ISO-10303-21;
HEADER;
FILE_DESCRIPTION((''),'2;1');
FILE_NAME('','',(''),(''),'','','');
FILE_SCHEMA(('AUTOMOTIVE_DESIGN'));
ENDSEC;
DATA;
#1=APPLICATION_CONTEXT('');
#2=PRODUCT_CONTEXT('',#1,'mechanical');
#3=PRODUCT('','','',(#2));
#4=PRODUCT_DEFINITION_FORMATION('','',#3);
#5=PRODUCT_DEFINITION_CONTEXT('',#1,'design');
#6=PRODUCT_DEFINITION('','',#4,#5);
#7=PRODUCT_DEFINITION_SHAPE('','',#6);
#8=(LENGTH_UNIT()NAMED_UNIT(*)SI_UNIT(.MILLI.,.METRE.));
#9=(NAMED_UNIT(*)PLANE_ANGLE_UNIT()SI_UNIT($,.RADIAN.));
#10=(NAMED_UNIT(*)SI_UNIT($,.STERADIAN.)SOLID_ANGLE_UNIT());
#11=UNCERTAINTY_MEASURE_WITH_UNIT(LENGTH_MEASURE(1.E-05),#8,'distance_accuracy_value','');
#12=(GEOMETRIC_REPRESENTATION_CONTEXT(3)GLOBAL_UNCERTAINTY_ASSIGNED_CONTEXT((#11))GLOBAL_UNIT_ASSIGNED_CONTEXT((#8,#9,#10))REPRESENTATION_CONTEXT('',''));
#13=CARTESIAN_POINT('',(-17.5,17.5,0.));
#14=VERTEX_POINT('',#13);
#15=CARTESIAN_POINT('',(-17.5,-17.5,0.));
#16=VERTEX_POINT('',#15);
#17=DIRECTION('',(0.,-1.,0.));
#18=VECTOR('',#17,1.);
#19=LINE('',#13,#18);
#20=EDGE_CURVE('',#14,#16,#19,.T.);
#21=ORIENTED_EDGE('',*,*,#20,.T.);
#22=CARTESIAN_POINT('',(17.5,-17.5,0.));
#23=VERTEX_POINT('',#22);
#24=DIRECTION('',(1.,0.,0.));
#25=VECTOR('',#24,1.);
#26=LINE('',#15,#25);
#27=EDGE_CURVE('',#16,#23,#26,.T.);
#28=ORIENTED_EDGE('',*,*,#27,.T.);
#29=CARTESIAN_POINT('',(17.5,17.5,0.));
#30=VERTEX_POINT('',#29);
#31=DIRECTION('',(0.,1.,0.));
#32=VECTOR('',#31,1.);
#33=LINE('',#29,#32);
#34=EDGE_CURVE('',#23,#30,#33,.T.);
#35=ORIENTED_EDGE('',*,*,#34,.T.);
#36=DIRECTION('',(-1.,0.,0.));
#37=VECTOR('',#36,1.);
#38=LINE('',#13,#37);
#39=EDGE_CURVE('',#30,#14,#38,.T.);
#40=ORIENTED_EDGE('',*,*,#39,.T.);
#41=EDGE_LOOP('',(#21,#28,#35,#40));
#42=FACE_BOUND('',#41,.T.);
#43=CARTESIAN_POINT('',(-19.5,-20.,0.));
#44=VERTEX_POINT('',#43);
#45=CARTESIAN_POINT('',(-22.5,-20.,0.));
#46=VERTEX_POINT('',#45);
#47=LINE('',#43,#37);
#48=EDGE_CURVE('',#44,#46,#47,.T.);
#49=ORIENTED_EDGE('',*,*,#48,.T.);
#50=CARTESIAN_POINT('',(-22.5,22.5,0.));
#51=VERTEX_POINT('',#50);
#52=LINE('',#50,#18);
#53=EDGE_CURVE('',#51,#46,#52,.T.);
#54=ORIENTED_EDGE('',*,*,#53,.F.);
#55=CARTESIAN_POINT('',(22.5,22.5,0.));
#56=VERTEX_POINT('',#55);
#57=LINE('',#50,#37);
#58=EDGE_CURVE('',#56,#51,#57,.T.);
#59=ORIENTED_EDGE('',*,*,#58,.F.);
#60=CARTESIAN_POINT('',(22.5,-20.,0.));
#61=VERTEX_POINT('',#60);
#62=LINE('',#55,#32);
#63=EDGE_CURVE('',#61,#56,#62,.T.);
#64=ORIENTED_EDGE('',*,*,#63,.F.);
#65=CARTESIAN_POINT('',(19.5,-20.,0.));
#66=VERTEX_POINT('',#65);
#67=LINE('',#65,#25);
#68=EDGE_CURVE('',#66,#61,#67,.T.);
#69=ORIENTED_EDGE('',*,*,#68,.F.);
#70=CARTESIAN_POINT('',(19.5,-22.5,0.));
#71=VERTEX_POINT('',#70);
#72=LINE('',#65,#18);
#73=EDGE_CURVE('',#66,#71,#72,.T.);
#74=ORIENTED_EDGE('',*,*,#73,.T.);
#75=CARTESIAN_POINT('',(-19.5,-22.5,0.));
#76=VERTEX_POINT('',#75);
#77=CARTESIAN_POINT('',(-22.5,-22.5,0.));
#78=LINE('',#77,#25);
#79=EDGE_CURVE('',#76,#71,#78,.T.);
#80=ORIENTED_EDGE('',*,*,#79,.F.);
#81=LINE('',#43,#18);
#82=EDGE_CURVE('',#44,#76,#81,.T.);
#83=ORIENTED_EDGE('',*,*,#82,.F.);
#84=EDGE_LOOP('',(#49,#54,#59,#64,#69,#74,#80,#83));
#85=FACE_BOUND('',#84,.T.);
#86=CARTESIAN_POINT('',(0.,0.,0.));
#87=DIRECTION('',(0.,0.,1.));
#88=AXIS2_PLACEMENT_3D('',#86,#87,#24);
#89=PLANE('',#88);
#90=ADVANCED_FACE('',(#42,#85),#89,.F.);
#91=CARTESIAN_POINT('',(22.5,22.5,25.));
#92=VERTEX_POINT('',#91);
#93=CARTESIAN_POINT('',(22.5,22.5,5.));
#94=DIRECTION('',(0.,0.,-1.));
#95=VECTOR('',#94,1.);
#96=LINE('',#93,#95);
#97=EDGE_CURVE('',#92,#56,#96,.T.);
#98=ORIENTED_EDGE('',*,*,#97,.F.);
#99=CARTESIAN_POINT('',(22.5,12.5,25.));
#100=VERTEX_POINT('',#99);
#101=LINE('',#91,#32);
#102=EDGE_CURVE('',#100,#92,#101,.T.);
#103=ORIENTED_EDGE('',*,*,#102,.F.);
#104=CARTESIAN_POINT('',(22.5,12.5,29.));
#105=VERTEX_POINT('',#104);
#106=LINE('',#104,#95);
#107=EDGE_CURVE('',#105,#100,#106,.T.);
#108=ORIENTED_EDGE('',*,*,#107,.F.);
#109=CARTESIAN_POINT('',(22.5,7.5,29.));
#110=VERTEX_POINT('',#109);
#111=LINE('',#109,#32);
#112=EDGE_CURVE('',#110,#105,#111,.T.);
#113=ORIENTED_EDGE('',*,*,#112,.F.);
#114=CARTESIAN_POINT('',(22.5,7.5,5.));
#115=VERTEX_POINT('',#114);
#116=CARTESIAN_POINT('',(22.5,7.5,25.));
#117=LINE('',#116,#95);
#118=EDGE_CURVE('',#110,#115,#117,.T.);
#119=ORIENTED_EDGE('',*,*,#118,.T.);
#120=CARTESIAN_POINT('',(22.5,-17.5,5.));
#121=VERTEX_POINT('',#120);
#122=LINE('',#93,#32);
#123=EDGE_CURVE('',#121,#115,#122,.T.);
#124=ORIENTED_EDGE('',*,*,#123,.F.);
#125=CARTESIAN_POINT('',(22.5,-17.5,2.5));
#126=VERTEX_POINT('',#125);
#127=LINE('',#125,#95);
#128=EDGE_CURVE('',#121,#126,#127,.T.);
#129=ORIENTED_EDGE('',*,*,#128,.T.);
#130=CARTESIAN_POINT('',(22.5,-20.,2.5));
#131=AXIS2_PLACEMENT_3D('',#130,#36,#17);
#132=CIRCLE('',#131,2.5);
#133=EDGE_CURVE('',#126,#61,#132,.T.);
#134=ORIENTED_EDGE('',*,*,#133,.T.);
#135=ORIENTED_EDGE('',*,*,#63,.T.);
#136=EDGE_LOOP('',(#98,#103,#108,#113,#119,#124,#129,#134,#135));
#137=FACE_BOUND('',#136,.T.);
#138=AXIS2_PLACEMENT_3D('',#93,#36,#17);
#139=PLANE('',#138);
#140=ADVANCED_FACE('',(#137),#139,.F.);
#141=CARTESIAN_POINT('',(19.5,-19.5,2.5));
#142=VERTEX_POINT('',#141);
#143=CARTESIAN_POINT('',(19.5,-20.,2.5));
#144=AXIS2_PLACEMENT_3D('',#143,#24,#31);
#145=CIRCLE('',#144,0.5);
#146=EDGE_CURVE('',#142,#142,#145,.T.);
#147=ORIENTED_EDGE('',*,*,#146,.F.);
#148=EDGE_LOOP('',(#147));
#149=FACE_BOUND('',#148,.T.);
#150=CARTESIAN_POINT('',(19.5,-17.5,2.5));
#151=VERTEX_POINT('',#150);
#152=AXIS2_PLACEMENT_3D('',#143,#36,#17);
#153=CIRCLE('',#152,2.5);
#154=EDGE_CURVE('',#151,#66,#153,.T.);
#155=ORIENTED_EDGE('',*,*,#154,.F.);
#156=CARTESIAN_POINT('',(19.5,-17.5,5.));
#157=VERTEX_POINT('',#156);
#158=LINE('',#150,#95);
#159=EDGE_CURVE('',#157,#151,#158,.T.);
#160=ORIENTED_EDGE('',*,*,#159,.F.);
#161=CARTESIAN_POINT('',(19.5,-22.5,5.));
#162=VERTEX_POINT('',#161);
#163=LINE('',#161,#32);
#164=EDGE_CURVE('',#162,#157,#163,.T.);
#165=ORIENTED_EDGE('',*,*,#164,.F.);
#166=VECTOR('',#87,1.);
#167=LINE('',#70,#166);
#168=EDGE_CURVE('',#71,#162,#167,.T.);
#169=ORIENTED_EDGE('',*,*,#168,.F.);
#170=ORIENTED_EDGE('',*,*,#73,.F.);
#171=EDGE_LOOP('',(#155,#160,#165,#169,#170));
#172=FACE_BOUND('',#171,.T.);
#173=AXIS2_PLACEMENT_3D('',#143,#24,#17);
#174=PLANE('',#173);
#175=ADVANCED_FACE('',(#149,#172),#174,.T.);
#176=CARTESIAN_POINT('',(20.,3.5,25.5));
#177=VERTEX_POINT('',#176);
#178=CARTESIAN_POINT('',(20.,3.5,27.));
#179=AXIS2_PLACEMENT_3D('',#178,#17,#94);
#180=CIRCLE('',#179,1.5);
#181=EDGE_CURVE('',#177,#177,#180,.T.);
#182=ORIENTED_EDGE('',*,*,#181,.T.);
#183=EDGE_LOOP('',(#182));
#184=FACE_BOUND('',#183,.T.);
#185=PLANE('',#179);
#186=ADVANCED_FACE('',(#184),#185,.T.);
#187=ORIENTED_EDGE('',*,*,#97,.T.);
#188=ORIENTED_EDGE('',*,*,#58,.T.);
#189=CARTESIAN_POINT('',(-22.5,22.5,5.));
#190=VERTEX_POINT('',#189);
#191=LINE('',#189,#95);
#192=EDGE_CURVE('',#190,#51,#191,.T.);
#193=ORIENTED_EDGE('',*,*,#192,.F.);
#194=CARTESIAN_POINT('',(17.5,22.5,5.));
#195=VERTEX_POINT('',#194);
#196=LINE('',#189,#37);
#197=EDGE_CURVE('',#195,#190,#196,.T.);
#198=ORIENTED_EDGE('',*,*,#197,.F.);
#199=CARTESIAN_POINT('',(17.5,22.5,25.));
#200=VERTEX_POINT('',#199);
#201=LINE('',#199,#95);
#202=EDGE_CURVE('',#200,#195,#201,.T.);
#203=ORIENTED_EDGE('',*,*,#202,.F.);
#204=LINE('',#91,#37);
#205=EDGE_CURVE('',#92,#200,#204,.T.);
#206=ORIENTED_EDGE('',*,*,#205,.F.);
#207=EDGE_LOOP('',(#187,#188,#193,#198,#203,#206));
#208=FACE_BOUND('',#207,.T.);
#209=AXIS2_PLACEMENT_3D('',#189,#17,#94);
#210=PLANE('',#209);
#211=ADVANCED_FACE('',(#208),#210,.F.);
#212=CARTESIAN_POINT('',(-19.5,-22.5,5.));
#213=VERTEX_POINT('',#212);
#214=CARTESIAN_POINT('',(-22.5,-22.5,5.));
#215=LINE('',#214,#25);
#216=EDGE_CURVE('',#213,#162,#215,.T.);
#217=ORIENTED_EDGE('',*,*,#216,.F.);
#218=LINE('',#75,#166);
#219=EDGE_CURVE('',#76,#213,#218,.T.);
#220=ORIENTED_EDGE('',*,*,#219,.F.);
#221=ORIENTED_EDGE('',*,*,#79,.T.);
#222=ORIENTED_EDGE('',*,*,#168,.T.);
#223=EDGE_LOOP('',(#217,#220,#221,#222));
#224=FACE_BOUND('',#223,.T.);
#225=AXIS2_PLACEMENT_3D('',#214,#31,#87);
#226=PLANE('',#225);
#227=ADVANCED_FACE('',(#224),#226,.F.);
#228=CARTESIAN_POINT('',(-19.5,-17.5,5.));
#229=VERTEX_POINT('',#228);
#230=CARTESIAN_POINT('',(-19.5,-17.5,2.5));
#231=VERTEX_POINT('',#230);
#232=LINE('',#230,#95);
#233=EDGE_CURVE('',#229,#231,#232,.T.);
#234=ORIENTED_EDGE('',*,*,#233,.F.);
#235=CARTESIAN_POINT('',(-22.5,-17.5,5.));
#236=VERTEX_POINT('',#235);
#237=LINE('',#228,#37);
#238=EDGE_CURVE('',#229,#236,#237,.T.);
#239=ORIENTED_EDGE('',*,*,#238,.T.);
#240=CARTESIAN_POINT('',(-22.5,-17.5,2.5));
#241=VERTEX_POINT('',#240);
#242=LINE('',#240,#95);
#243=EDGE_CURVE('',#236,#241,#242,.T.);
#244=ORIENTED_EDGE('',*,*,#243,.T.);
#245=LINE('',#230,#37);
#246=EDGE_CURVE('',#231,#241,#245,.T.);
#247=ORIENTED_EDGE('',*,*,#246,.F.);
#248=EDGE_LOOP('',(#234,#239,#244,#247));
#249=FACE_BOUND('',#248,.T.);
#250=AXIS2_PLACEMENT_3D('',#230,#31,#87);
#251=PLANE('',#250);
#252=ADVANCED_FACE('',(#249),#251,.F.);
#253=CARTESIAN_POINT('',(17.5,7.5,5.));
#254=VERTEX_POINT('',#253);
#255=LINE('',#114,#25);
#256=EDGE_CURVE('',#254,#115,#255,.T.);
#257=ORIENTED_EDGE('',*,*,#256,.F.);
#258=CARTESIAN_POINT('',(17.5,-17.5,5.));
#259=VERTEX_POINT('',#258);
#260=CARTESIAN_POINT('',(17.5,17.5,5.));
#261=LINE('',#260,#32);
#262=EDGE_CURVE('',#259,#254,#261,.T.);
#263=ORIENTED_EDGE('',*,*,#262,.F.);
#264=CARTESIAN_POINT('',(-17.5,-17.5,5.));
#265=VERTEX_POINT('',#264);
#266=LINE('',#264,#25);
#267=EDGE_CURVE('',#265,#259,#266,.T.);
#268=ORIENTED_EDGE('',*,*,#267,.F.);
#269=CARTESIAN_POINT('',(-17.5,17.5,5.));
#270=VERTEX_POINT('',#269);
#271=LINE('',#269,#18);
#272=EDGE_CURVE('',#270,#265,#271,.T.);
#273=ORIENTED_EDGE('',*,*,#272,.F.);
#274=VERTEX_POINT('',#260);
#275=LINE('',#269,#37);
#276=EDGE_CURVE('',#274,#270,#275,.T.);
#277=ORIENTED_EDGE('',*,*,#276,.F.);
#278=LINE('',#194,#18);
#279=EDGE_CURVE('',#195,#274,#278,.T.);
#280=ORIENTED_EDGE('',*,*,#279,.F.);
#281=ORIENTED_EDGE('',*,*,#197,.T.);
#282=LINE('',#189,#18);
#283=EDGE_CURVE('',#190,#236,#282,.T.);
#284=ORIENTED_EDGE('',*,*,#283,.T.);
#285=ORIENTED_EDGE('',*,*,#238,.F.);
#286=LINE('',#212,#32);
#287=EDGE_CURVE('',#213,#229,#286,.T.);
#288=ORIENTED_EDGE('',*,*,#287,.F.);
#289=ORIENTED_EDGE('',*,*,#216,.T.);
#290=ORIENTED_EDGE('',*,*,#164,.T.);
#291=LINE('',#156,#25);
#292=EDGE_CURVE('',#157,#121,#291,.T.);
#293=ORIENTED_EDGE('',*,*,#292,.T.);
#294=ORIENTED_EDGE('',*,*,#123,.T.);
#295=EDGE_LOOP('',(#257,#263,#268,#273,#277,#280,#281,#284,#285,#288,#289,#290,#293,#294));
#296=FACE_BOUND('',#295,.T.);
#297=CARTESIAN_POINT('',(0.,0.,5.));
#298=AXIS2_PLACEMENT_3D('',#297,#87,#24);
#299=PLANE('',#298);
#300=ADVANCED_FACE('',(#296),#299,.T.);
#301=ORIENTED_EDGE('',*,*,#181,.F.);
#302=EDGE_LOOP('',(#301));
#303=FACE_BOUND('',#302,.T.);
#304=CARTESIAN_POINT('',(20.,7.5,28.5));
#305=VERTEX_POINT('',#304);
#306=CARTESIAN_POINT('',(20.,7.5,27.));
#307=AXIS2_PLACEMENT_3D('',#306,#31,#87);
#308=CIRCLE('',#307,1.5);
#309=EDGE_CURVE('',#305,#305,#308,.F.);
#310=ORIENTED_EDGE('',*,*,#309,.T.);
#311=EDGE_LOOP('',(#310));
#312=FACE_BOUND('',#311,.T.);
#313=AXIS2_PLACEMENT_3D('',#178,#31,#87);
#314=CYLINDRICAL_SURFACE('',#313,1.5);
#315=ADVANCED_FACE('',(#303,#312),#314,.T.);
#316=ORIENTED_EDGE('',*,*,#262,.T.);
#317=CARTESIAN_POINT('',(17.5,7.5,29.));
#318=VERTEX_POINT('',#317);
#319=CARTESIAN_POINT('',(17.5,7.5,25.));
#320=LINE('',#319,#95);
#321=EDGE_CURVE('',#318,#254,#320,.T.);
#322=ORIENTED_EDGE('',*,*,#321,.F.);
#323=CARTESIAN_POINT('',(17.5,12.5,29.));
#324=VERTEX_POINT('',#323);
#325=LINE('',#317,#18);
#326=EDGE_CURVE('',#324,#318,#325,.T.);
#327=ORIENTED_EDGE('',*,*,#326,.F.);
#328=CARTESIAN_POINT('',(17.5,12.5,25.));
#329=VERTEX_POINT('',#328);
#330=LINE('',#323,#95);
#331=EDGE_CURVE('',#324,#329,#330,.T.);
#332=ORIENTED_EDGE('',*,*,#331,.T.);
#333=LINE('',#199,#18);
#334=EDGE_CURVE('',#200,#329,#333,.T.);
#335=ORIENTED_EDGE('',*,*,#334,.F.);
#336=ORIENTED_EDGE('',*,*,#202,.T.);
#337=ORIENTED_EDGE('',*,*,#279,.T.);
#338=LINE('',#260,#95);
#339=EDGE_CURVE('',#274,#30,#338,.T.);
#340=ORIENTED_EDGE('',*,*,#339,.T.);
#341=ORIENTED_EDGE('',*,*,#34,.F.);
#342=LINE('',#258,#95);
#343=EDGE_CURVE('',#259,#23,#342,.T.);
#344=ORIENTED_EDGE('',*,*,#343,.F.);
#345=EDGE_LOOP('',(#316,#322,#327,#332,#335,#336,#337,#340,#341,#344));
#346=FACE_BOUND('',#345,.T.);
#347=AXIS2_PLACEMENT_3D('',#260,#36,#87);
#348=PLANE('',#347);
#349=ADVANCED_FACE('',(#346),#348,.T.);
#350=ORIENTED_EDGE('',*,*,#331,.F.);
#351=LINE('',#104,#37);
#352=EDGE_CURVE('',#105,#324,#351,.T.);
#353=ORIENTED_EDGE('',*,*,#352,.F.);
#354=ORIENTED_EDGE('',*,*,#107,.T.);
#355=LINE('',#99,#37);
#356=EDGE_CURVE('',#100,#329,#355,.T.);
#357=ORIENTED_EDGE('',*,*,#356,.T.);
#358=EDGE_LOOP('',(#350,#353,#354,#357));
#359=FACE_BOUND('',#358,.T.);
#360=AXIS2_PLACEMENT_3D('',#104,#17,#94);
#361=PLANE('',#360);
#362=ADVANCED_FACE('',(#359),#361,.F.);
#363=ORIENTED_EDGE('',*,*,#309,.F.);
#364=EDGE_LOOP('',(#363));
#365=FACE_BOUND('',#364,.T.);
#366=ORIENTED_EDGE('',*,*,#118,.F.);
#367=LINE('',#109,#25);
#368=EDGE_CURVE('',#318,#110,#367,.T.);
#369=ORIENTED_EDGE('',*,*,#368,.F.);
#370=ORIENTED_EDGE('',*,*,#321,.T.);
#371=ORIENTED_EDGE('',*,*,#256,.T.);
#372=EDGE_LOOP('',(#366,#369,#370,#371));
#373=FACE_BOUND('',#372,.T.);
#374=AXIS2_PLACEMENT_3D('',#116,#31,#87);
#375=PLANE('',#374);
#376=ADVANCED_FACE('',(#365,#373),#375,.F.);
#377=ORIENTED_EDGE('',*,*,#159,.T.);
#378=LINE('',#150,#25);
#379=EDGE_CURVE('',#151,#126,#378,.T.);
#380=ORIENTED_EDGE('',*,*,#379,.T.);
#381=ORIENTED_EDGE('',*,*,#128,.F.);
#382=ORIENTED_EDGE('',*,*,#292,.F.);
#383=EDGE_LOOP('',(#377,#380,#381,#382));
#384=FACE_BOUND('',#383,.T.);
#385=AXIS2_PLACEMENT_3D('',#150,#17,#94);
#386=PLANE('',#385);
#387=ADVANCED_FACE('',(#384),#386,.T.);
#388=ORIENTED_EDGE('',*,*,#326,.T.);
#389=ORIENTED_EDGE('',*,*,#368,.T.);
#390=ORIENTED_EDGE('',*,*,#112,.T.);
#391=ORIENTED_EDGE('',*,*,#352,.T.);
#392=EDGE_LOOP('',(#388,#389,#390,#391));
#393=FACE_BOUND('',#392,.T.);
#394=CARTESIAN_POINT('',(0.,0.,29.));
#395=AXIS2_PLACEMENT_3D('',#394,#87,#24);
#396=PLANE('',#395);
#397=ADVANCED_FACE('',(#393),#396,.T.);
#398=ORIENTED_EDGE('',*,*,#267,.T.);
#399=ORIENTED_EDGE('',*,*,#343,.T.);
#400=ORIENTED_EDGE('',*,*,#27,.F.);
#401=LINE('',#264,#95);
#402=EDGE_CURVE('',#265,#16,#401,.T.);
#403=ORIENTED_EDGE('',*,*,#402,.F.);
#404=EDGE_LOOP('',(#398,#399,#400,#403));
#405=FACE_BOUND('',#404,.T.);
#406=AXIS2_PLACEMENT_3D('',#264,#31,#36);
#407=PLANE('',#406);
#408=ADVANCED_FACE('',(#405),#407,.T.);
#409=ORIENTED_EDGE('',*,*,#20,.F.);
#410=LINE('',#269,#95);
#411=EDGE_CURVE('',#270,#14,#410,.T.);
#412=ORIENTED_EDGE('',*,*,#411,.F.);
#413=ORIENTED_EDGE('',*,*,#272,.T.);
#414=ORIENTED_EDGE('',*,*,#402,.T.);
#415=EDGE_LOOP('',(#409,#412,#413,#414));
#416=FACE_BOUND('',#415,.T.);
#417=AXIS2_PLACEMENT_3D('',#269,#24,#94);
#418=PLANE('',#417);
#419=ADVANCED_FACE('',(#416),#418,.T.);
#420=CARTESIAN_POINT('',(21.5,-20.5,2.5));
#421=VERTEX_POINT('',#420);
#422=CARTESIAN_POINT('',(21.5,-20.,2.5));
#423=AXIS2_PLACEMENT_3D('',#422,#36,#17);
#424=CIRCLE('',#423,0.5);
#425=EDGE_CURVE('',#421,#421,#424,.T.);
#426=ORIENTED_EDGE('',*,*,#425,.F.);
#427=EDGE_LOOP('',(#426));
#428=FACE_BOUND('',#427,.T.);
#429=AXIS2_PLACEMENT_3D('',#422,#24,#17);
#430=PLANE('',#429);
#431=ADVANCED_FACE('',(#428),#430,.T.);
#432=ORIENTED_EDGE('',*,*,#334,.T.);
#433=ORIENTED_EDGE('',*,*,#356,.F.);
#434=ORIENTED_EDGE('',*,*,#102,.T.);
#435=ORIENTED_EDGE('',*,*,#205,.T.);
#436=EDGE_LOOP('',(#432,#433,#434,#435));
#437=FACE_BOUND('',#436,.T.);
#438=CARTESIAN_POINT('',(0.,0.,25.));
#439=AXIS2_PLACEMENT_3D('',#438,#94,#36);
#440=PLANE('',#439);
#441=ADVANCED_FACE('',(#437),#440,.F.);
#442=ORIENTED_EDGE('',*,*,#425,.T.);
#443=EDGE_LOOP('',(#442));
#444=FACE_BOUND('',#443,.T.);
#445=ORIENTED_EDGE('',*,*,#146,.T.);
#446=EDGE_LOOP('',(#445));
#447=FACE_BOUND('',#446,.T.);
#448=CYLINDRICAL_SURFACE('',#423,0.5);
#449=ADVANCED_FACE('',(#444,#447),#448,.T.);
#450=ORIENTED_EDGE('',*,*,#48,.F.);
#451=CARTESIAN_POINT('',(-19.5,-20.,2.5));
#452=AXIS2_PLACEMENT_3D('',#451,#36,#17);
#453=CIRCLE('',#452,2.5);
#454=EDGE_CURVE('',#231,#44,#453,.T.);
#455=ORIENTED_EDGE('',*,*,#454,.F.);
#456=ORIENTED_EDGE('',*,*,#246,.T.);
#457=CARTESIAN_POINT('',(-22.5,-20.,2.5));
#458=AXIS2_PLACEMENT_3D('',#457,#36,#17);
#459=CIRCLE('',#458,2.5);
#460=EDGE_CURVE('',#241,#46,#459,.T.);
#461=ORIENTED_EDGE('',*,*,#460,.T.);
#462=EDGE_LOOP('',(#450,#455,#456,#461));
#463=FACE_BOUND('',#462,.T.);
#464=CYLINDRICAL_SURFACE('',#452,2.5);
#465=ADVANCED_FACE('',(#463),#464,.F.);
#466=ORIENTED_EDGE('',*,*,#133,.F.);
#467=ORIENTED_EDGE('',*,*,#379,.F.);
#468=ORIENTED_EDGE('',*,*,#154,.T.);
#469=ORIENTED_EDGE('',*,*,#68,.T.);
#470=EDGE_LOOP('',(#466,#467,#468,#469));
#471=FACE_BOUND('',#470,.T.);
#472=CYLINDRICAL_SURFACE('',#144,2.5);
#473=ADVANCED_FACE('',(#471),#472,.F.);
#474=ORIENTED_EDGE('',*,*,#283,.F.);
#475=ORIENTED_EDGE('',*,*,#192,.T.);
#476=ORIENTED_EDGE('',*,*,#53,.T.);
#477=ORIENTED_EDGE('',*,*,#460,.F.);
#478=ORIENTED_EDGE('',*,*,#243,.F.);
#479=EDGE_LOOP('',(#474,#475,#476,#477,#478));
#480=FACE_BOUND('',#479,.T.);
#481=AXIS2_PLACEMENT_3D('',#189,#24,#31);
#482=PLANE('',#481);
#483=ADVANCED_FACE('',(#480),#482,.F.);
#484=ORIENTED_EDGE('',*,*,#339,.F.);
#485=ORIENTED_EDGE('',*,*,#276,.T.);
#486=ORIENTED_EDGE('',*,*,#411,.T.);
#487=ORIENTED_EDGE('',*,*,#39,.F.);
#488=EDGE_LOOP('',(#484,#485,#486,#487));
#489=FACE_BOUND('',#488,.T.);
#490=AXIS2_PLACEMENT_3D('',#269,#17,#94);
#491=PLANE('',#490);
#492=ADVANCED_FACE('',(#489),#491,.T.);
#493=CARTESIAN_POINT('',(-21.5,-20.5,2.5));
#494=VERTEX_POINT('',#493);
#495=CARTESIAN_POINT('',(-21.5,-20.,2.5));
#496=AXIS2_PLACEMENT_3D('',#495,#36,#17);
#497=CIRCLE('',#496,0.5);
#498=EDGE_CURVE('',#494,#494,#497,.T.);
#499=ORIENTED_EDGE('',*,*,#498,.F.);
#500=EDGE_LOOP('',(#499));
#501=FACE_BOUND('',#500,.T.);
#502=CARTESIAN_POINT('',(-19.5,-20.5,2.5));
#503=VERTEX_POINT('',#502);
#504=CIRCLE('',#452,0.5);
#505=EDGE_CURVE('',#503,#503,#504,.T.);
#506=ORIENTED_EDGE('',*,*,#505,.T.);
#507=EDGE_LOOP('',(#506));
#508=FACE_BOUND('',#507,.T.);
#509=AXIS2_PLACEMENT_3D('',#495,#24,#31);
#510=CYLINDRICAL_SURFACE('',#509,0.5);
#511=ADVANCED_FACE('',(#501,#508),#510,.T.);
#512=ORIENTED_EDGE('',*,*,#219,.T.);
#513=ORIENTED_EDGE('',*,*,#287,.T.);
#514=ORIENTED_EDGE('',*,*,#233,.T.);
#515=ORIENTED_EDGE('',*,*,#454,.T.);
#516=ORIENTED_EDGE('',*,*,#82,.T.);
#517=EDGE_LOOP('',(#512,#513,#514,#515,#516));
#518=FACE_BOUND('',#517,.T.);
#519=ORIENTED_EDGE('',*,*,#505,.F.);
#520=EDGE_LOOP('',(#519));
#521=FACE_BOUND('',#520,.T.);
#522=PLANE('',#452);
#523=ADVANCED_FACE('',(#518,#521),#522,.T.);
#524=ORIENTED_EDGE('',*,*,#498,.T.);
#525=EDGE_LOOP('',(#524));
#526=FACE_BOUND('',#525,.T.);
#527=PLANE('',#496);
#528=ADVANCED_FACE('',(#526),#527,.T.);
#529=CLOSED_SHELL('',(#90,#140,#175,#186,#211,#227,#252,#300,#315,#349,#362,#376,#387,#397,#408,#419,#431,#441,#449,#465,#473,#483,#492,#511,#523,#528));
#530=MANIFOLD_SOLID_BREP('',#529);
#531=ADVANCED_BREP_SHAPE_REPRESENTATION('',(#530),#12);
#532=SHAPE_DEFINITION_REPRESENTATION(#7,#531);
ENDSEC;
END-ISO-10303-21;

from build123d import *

# Parameters (mm, degrees)
SKETCH_1_W          = 45
SKETCH_1_H          = 45
SKETCH_1_W_2        = 35
SKETCH_1_H_2        = 35
EXTRUDE_1_DEPTH     = 5
CUT_EXTRUDE_1_DEPTH = 3
SKETCH_3_R          = 0.5
EXTRUDE_2_DEPTH     = 2
SKETCH_4_W          = 5
SKETCH_4_H          = 15
EXTRUDE_3_DEPTH     = 20
SKETCH_5_W          = 5
SKETCH_5_H          = 5
EXTRUDE_4_DEPTH     = 4
SKETCH_6_R          = 1.5
EXTRUDE_5_DEPTH     = 4


with BuildPart() as part:
    # 草圖1 → 填料-伸長1 (new body)
    with BuildSketch(Plane.XY):
        Rectangle(SKETCH_1_W, SKETCH_1_H)
        Rectangle(SKETCH_1_W_2, SKETCH_1_H_2, mode=Mode.SUBTRACT)
    extrude(amount=EXTRUDE_1_DEPTH)

    # 草圖2 → 除料-伸長1 (cut)
    with BuildSketch(Plane.ZY.offset(22.5)):
        with BuildLine():
            Line((2.5, -17.5), (5, -17.5))
            Line((5, -17.5), (5, -22.5))
            Line((5, -22.5), (0, -22.5))
            Line((0, -22.5), (0, -20))
            ThreePointArc((0, -20), (0.732233047, -18.232233047), (2.5, -17.5))
        make_face()
    cut_extrude_1 = extrude(amount=-CUT_EXTRUDE_1_DEPTH, mode=Mode.SUBTRACT)

    # 鏡射1: 除料-伸長1 across plane
    add(cut_extrude_1.mirror(Plane(origin=(0, 0, 0), x_dir=(0, 0, 1), z_dir=(1, 0, 0))), mode=Mode.SUBTRACT)

    # 草圖3 → 填料-伸長2 (add)
    with BuildSketch(Plane.ZY.offset(19.5)):
        with Locations(Location((2.5, -20, 0), (0, 0, 270))):
            Circle(SKETCH_3_R)
    extrude_2 = extrude(amount=EXTRUDE_2_DEPTH)

    # 鏡射2: 填料-伸長2 across plane
    add(extrude_2.mirror(Plane(origin=(0, 0, 0), x_dir=(0, 0, 1), z_dir=(1, 0, 0))))

    # 草圖4 → 填料-伸長3 (add)
    with BuildSketch(Plane.XY.offset(5)):
        with Locations((20, 15)):
            Rectangle(SKETCH_4_W, SKETCH_4_H)
    extrude(amount=EXTRUDE_3_DEPTH)

    # 草圖5 → 填料-伸長4 (add)
    with BuildSketch(Plane.XY.offset(25)):
        with Locations((20, 10)):
            Rectangle(SKETCH_5_W, SKETCH_5_H)
    extrude(amount=EXTRUDE_4_DEPTH)

    # 草圖6 → 填料-伸長5 (add)
    with BuildSketch(Plane.XZ.offset(-7.5)):
        with Locations(Location((20, 27, 0), (0, 0, 90))):
            Circle(SKETCH_6_R)
    extrude(amount=EXTRUDE_5_DEPTH)


solid = part.part
